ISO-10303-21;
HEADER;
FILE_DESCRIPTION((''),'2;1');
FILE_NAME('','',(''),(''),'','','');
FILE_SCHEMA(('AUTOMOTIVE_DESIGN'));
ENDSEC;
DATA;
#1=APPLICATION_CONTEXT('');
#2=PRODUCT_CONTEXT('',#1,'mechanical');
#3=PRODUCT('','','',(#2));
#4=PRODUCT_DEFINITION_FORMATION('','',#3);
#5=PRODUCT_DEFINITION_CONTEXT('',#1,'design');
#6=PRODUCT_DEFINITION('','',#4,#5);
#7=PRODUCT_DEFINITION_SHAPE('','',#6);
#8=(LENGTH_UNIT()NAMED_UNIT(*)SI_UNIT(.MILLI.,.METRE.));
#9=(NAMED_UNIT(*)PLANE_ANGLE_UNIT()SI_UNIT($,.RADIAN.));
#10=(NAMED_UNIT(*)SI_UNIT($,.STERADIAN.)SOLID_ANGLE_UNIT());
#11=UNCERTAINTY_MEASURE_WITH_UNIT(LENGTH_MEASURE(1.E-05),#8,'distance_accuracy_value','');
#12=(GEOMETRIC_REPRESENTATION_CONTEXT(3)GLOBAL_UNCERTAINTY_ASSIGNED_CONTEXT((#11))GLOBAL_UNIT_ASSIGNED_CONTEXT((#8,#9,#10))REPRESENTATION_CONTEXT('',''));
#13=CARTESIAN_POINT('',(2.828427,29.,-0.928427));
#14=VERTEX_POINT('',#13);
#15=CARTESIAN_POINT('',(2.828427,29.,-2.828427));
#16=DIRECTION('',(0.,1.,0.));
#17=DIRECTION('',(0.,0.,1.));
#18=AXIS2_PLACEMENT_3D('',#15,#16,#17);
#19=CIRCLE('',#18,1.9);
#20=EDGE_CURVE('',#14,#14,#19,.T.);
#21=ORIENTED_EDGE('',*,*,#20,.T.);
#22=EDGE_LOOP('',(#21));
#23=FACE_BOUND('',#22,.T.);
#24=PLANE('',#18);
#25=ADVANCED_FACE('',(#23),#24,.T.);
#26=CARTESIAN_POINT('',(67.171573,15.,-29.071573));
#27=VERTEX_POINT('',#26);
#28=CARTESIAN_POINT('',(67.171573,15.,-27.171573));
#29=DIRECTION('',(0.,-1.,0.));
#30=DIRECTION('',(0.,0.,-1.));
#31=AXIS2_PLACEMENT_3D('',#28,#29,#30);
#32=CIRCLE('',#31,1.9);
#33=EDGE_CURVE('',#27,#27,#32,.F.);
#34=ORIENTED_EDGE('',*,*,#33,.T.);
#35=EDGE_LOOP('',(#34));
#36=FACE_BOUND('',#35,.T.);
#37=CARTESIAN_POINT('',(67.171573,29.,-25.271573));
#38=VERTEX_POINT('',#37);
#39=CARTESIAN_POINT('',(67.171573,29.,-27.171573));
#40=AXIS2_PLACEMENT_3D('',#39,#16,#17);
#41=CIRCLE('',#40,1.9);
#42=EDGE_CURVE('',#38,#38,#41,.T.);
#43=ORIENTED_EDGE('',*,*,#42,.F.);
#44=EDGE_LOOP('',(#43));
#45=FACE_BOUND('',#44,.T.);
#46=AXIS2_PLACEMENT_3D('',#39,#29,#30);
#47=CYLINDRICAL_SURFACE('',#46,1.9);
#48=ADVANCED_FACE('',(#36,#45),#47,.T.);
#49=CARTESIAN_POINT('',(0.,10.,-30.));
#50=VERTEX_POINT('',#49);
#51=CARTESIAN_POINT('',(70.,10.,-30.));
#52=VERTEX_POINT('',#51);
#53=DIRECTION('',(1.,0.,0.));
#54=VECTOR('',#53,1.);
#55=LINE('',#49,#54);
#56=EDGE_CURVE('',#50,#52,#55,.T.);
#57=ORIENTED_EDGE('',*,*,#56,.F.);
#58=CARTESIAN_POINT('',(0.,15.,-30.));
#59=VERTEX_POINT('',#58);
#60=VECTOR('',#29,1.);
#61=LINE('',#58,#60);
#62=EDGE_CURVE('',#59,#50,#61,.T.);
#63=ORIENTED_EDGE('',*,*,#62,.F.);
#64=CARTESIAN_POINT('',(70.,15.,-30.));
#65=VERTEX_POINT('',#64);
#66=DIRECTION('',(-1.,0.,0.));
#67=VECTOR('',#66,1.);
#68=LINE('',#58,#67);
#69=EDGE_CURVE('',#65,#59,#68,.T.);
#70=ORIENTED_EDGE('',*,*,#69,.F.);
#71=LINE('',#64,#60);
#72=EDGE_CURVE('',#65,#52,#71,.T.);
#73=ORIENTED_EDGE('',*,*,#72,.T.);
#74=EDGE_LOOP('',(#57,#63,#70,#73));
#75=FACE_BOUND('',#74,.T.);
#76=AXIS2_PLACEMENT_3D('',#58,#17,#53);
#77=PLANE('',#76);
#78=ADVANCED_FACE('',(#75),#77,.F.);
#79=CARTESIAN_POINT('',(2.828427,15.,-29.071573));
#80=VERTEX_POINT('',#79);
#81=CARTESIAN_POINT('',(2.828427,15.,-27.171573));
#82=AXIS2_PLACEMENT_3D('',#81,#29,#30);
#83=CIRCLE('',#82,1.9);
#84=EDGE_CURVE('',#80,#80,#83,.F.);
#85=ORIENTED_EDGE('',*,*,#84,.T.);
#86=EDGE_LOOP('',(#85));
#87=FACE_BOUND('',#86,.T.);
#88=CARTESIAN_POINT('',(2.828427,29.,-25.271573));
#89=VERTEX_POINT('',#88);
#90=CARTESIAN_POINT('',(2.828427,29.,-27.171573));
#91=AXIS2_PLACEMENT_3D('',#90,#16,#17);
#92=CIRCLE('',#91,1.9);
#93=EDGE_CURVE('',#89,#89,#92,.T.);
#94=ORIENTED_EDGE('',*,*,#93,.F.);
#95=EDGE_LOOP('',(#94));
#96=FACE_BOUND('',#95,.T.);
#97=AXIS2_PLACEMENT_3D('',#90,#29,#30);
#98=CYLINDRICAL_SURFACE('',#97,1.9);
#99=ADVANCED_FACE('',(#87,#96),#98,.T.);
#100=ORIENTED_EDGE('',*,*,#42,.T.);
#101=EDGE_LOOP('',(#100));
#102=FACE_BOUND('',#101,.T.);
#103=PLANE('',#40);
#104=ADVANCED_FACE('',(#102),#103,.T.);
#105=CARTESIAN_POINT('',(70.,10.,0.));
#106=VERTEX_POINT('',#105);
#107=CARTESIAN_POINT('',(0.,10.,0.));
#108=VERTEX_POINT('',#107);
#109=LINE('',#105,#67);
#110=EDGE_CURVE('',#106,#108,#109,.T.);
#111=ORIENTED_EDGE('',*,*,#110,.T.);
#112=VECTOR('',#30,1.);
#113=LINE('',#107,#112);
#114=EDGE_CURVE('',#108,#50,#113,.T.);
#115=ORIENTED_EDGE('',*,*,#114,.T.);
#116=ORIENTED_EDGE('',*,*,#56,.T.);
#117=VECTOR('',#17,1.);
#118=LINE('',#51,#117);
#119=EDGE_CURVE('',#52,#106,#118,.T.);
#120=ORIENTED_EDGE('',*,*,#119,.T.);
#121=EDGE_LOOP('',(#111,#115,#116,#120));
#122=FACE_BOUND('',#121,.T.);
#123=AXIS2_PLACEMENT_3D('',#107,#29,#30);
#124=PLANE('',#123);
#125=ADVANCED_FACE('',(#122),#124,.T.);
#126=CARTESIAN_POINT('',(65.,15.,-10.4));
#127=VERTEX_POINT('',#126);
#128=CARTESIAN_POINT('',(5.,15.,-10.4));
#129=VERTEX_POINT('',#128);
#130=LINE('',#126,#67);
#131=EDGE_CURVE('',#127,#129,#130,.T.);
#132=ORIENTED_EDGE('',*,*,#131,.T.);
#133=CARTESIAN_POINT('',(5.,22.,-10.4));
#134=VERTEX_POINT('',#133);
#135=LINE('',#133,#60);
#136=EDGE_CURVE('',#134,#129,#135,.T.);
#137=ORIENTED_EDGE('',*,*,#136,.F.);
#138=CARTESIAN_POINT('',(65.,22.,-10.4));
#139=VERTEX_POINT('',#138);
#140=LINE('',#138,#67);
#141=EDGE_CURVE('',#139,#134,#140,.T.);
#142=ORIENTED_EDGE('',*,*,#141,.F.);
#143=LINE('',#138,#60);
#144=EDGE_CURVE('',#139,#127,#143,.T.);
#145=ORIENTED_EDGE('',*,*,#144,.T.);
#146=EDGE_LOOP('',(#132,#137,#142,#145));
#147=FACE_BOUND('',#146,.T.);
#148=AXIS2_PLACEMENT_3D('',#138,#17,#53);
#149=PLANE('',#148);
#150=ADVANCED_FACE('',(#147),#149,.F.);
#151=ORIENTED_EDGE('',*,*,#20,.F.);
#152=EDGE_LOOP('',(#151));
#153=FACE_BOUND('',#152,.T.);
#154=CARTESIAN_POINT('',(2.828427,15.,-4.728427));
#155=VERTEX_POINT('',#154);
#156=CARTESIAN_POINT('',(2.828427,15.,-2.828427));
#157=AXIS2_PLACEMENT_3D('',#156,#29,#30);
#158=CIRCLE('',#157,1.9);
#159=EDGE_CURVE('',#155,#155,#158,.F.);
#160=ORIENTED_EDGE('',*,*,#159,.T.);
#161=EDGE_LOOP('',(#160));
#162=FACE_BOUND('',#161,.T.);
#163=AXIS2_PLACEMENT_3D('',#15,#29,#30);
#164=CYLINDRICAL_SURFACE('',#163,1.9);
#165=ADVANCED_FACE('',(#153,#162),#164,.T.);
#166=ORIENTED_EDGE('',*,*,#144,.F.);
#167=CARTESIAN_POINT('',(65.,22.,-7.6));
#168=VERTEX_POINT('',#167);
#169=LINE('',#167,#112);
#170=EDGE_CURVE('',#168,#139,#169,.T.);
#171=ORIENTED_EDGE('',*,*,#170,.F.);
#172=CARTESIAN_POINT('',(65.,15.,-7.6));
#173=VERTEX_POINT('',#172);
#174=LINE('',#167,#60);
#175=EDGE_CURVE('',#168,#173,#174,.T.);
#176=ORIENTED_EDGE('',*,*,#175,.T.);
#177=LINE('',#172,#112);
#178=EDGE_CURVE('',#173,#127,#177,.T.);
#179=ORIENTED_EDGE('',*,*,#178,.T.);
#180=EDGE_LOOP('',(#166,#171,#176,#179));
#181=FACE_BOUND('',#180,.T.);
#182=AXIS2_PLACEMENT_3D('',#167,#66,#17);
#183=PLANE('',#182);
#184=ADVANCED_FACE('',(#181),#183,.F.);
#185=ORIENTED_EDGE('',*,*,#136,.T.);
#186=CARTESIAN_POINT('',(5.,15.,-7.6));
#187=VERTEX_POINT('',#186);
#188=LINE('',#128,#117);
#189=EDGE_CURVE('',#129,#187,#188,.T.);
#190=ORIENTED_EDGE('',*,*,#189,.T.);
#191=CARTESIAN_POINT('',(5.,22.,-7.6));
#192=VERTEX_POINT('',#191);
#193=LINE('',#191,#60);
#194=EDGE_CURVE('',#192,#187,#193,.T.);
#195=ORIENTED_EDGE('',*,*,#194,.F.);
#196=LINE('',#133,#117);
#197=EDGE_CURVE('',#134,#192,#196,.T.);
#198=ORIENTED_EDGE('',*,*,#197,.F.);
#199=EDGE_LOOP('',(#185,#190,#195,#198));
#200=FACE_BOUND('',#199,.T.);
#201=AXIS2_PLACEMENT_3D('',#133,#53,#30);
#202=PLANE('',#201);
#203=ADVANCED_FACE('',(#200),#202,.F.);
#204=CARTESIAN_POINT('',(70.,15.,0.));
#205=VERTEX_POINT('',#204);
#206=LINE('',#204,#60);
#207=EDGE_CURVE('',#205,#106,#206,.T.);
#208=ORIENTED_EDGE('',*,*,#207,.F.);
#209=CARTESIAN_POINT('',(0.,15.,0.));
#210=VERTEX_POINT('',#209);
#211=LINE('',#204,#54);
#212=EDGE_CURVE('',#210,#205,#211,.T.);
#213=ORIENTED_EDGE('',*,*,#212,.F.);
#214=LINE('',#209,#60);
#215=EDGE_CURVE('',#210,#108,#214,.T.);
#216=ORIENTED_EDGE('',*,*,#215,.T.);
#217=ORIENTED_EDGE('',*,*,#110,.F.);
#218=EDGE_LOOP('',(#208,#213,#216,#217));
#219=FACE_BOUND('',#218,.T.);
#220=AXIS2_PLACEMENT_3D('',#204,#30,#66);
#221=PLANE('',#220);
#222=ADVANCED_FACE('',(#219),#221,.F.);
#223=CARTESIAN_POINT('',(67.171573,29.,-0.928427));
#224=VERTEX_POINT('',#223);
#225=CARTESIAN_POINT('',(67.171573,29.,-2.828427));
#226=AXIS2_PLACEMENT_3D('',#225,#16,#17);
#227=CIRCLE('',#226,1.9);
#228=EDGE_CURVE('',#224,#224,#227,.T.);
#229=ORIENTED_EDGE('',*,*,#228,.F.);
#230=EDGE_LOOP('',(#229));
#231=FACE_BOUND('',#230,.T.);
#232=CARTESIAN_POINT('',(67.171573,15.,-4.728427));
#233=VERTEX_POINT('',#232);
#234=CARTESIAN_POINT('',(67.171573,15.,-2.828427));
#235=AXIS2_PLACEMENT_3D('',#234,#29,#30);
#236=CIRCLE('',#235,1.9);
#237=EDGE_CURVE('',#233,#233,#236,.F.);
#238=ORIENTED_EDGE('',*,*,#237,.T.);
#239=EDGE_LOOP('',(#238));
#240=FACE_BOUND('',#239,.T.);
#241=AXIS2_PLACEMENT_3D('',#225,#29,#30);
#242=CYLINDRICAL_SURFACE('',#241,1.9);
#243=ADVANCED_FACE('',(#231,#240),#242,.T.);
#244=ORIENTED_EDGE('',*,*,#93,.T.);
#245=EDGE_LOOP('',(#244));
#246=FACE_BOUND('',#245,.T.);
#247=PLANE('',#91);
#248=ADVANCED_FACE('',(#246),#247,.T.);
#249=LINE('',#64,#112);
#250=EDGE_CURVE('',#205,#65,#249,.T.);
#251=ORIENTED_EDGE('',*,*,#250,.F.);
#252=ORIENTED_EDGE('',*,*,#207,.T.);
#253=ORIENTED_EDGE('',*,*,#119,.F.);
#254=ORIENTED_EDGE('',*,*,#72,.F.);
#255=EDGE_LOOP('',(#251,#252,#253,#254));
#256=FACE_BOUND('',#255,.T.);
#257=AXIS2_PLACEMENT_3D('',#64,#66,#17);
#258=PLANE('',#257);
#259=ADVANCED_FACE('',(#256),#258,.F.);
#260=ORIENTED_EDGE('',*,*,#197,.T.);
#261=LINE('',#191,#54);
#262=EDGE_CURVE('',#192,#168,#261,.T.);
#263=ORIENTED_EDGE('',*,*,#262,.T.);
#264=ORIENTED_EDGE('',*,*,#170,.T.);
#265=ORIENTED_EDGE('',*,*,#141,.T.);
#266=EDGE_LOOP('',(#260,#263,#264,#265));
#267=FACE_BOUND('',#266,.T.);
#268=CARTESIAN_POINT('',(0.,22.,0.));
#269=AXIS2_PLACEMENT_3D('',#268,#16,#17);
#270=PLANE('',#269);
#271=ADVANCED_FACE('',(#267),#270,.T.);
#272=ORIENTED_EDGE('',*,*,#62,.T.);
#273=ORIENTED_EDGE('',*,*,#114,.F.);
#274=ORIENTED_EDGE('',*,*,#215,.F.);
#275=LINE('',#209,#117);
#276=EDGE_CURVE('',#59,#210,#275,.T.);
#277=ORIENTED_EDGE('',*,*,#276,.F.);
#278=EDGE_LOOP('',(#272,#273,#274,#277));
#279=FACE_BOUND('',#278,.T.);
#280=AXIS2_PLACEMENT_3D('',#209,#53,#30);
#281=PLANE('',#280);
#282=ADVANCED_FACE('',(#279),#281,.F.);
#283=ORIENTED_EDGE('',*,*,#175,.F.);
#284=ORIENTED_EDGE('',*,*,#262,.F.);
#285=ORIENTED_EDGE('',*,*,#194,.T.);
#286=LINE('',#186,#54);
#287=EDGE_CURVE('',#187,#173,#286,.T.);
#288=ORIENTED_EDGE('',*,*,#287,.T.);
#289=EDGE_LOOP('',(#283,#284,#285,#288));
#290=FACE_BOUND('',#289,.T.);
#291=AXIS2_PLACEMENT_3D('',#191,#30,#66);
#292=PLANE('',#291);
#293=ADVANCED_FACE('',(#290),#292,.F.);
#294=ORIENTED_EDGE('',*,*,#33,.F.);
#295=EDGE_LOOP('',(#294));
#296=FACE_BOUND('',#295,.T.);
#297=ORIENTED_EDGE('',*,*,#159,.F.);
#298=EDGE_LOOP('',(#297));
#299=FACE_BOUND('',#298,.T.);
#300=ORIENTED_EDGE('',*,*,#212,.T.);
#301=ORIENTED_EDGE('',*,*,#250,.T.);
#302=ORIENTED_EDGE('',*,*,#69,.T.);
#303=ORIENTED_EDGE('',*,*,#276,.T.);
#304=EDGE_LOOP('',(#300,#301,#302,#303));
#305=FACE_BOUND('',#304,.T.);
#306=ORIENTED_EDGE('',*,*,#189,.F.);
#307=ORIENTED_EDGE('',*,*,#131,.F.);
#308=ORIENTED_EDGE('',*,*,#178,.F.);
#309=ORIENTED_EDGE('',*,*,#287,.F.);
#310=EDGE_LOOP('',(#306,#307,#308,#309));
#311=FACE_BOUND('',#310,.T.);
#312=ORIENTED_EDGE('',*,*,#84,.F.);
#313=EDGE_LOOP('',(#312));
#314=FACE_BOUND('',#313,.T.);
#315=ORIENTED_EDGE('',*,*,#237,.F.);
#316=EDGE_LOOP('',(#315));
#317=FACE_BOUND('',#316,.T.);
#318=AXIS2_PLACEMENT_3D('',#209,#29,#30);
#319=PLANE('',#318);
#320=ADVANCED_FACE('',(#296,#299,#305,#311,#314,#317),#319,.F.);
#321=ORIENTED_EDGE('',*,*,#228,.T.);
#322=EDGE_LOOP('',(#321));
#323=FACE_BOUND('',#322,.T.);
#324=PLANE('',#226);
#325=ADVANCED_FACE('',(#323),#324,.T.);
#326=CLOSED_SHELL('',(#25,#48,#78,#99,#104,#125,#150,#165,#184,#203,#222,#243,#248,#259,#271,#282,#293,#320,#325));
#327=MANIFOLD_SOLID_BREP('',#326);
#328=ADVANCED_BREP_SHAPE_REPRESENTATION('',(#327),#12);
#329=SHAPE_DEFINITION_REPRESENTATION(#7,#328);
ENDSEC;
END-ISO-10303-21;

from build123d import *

# Parameters (mm, degrees)
SKETCH1_W           = 70
SKETCH1_H           = 30
BOSS_EXTRUDE1_DEPTH = 15
SKETCH3_W           = 60
SKETCH3_H           = 2.8
BOSS_EXTRUDE3_DEPTH = 7
SKETCH4_W           = 70
SKETCH4_H           = 30
CUT_EXTRUDE1_DEPTH  = 10
SKETCH5_R           = 1.9
BOSS_EXTRUDE4_DEPTH = 14


with BuildPart() as part:
    # Sketch1 → Boss-Extrude1 (new body)
    with BuildSketch(Plane(origin=(0, 0, 0), x_dir=(1, 0, 0), z_dir=(0, 1, 0))):
        with Locations((35, 15)):
            Rectangle(SKETCH1_W, SKETCH1_H)
    extrude(amount=BOSS_EXTRUDE1_DEPTH)

    # Sketch3 → Boss-Extrude3 (add)
    with BuildSketch(Plane(origin=(0, 15, 0), x_dir=(1, 0, 0), z_dir=(0, 1, 0))):
        with Locations((35, 9)):
            Rectangle(SKETCH3_W, SKETCH3_H)
    extrude(amount=BOSS_EXTRUDE3_DEPTH)

    # Sketch4 → Cut-Extrude1 (cut)
    with BuildSketch(Plane(origin=(0, 0, 0), x_dir=(-1, 0, 0), z_dir=(0, -1, 0))):
        with Locations((-35, 15)):
            Rectangle(SKETCH4_W, SKETCH4_H)
    extrude(amount=-CUT_EXTRUDE1_DEPTH, mode=Mode.SUBTRACT)

    # Sketch5 → Boss-Extrude4 (add)
    with BuildSketch(Plane(origin=(0, 15, 0), x_dir=(1, 0, 0), z_dir=(0, 1, 0))):
        with Locations(Location((2.828427125, 2.828427125, 0), (0, 0, 90))):
            Circle(SKETCH5_R)
        with Locations(Location((2.828427125, 27.171572875, 0), (0, 0, 90))):
            Circle(SKETCH5_R)
        with Locations(Location((67.171572875, 27.171572875, 0), (0, 0, 90))):
            Circle(SKETCH5_R)
        with Locations(Location((67.171572875, 2.828427125, 0), (0, 0, 90))):
            Circle(SKETCH5_R)
    extrude(amount=BOSS_EXTRUDE4_DEPTH)


solid = part.part
